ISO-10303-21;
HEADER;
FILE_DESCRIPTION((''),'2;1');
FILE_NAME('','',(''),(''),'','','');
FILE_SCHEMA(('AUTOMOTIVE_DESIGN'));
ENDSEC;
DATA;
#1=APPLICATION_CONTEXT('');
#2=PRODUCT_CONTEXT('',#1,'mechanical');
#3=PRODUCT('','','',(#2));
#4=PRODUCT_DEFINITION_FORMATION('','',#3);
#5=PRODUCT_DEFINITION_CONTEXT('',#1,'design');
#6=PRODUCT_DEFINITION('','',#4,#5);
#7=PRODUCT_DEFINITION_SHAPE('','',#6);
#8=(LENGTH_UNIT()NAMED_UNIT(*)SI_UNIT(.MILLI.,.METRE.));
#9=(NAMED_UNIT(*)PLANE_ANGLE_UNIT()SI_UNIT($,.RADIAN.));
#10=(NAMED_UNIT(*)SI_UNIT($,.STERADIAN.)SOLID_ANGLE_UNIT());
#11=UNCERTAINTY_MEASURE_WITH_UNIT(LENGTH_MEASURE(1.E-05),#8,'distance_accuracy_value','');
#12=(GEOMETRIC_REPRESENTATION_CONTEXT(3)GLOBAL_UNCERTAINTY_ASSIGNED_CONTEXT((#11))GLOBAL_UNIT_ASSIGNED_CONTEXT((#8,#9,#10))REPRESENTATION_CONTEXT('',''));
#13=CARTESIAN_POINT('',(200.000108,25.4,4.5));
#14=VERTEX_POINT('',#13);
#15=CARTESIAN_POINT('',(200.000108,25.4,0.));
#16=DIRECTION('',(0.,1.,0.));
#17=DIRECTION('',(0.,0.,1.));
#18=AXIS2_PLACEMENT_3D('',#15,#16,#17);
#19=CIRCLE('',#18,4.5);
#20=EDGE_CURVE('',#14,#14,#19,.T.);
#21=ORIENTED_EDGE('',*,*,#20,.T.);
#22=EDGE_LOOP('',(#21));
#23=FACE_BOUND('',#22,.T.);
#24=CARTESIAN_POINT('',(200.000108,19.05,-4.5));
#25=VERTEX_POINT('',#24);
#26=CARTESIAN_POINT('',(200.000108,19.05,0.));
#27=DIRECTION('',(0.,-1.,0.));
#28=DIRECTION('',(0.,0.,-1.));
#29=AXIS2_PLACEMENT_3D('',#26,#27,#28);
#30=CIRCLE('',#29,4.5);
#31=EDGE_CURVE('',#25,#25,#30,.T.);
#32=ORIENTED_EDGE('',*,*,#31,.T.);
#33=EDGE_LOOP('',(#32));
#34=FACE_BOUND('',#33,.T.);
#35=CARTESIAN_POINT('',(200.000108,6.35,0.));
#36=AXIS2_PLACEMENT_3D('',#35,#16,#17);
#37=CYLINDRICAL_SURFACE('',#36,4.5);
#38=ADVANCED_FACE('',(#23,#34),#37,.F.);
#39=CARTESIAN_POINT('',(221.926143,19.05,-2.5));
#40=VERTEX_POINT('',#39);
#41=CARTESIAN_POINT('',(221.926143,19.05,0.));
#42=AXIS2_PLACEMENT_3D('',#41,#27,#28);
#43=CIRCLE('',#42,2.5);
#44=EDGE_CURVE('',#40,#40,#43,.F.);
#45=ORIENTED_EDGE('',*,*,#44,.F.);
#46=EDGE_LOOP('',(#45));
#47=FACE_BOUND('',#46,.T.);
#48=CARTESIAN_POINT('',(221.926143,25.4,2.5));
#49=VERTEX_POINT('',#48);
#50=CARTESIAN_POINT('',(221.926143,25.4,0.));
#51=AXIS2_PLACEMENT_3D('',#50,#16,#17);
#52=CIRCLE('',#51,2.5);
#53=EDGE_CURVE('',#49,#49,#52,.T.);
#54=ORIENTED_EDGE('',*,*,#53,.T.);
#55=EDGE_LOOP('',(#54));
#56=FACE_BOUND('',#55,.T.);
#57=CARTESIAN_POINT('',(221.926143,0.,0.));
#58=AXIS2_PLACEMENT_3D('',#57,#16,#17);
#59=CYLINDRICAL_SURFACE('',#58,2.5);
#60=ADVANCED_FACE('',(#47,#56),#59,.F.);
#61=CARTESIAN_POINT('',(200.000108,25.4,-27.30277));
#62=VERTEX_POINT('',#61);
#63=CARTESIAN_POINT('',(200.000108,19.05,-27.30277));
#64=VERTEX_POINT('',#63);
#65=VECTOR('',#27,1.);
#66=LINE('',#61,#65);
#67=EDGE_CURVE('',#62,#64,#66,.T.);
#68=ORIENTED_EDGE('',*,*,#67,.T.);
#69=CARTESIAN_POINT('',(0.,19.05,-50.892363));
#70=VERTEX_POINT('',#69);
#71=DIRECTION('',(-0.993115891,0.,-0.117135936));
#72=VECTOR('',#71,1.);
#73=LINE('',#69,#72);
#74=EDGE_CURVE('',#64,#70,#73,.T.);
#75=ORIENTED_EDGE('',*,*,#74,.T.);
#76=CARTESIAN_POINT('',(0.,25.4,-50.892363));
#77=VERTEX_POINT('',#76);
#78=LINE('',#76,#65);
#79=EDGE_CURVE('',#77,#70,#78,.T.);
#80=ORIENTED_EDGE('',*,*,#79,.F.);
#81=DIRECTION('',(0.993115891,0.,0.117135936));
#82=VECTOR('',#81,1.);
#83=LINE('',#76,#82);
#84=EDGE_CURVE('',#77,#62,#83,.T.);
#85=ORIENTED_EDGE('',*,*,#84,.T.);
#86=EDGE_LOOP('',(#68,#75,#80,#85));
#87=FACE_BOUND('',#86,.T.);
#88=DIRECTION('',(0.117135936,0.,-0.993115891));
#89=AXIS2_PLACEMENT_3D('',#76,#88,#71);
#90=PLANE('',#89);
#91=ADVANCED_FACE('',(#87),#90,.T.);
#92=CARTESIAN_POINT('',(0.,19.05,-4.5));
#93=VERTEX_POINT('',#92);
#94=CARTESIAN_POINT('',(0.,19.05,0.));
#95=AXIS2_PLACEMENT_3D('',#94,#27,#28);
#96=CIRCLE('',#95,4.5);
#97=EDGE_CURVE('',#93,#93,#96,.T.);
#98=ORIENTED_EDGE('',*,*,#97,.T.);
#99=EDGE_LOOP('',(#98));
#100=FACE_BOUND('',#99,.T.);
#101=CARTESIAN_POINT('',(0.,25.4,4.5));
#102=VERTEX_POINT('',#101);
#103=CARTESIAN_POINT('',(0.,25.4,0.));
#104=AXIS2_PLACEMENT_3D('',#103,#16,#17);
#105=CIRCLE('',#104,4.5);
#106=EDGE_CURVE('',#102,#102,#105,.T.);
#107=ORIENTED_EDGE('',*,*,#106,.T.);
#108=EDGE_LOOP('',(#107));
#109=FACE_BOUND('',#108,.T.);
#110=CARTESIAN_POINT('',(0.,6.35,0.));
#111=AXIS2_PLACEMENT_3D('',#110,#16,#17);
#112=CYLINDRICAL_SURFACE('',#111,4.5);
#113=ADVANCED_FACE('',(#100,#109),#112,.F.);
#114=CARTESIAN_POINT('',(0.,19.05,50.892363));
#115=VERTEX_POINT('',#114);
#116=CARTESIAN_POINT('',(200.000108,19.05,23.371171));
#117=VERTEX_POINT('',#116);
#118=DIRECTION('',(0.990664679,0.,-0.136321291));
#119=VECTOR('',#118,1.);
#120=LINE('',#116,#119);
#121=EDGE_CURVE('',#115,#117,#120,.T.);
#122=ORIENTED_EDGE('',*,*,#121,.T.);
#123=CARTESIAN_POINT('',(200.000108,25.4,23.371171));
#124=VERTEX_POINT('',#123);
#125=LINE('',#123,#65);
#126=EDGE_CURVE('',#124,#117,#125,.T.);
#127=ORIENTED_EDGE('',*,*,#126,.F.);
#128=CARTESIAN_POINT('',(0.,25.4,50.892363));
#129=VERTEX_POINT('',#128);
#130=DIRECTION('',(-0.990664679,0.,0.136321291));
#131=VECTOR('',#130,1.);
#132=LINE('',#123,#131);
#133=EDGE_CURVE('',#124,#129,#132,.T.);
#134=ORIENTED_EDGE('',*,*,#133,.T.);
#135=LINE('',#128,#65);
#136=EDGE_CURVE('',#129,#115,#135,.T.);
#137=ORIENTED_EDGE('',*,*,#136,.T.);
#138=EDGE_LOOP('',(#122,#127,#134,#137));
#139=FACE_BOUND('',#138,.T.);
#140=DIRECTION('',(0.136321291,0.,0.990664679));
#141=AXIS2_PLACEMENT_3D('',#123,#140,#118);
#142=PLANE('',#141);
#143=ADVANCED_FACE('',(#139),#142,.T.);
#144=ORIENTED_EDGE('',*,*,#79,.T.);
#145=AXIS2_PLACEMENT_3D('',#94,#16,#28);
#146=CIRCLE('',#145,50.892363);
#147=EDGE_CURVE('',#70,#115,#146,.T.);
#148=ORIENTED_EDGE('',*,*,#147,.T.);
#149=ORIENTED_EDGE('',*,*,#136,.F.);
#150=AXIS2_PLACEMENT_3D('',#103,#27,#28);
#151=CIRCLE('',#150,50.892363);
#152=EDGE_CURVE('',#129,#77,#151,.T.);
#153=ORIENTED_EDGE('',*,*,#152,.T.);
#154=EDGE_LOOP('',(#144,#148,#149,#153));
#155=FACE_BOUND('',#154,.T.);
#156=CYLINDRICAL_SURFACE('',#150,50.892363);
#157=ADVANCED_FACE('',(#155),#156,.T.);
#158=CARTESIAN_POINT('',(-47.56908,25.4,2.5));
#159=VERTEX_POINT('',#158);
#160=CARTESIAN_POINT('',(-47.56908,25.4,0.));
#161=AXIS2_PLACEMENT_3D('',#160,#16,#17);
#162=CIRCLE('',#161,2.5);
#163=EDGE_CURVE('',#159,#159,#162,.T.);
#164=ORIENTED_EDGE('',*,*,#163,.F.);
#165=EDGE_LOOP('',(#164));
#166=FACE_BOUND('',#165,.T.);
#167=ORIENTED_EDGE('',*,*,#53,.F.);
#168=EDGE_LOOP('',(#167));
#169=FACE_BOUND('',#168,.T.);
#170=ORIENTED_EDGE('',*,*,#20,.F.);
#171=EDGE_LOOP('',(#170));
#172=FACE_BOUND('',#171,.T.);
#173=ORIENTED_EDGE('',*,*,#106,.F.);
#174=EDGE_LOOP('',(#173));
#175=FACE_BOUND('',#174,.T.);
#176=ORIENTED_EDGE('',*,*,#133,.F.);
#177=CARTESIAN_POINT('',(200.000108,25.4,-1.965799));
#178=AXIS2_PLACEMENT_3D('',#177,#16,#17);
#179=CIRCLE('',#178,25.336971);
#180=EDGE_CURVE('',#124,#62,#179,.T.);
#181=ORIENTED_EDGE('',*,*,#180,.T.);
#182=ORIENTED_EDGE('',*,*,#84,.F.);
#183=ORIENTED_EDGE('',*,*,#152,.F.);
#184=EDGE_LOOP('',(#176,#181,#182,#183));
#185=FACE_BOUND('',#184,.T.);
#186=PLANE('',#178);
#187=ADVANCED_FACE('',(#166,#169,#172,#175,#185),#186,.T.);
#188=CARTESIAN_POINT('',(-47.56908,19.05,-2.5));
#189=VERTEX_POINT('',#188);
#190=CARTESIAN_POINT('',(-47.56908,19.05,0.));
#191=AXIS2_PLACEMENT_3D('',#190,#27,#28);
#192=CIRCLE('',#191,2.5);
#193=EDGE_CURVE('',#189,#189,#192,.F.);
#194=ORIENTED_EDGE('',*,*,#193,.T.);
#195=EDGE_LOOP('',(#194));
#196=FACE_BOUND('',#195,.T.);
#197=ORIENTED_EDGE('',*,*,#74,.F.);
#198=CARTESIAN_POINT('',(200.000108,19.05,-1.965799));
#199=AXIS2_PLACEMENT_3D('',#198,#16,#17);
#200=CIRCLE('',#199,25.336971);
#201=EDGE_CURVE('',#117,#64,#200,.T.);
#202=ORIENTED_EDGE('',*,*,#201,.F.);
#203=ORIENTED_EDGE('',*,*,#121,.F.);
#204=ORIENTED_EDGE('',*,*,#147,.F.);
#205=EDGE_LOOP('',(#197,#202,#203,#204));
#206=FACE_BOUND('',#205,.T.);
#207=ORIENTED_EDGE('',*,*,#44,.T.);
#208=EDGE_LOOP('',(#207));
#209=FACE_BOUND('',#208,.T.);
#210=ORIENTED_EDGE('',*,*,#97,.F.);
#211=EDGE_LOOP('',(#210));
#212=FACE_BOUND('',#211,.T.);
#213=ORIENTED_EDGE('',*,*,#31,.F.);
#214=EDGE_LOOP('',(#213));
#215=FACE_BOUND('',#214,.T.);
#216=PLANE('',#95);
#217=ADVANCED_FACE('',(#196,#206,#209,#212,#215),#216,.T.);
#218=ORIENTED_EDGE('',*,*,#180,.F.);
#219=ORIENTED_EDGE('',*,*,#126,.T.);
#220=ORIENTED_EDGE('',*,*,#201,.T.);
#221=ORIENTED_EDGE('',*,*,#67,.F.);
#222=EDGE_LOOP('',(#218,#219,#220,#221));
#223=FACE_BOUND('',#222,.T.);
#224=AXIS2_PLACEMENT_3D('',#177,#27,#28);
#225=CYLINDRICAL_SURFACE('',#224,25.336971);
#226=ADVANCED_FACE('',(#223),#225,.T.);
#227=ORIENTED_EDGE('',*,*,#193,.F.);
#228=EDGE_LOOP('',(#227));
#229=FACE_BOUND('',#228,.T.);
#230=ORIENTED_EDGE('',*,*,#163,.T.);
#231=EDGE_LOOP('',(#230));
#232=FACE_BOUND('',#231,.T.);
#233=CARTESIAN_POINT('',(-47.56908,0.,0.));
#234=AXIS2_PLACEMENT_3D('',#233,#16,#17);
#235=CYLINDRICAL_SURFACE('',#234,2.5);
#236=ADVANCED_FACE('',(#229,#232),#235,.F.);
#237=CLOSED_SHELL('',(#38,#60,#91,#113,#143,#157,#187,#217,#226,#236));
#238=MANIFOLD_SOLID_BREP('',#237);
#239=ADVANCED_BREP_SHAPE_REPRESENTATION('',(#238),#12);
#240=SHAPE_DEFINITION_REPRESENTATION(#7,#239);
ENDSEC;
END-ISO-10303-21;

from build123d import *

# Parameters (mm, degrees)
BOSS_EXTRUDE1_DEPTH = 25.4
SKETCH3_R           = 2.5
CUT_EXTRUDE2_DEPTH  = 25.4
CUT_EXTRUDE3_DEPTH  = 19.05
SKETCH4_R           = 4.5
CUT_EXTRUDE4_DEPTH  = 19.05


with BuildPart() as part:
    # Sketch1 → Boss-Extrude1 (new body)
    with BuildSketch(Plane(origin=(0, 0, 0), x_dir=(1, 0, 0), z_dir=(0, 1, 0))):
        with BuildLine():
            Line((0, 50.892363224), (200.000108, 27.30276997))
            ThreePointArc((200.000108, 27.30276997), (225.337078532, 1.965799438), (200.000108, -23.371171094))
            Line((200.000108, -23.371171094), (0, -50.892363224))
            ThreePointArc((0, -50.892363224), (-50.892363224, 0), (0, 50.892363224))
        make_face()
    extrude(amount=BOSS_EXTRUDE1_DEPTH)

    # Sketch3 → Cut-Extrude2 (cut)
    with BuildSketch(Plane(origin=(0, 25.4, 0), x_dir=(1, 0, 0), z_dir=(0, 1, 0))):
        with Locations((-47.56908022, 0)):
            Circle(SKETCH3_R)
        with Locations((221.926143204, 0)):
            Circle(SKETCH3_R)
    extrude(amount=-CUT_EXTRUDE2_DEPTH, mode=Mode.SUBTRACT)

    # Sketch1<3> → Cut-Extrude3 (cut)
    with BuildSketch(Plane(origin=(0, 0, 0), x_dir=(1, 0, 0), z_dir=(0, 1, 0))):
        with BuildLine():
            Line((0, 50.892363224), (200.000108, 27.30276997))
            ThreePointArc((200.000108, 27.30276997), (225.337078532, 1.965799438), (200.000108, -23.371171094))
            Line((200.000108, -23.371171094), (0, -50.892363224))
            ThreePointArc((0, -50.892363224), (-50.892363224, 0), (0, 50.892363224))
        make_face()
    extrude(amount=CUT_EXTRUDE3_DEPTH, mode=Mode.SUBTRACT)

    # Sketch4 → Cut-Extrude4 (cut)
    with BuildSketch(Plane(origin=(0, 25.4, 0), x_dir=(1, 0, 0), z_dir=(0, 1, 0))):
        Circle(SKETCH4_R)
        with Locations((200.000108, 0)):
            Circle(SKETCH4_R)
    extrude(amount=-CUT_EXTRUDE4_DEPTH, mode=Mode.SUBTRACT)


solid = part.part
